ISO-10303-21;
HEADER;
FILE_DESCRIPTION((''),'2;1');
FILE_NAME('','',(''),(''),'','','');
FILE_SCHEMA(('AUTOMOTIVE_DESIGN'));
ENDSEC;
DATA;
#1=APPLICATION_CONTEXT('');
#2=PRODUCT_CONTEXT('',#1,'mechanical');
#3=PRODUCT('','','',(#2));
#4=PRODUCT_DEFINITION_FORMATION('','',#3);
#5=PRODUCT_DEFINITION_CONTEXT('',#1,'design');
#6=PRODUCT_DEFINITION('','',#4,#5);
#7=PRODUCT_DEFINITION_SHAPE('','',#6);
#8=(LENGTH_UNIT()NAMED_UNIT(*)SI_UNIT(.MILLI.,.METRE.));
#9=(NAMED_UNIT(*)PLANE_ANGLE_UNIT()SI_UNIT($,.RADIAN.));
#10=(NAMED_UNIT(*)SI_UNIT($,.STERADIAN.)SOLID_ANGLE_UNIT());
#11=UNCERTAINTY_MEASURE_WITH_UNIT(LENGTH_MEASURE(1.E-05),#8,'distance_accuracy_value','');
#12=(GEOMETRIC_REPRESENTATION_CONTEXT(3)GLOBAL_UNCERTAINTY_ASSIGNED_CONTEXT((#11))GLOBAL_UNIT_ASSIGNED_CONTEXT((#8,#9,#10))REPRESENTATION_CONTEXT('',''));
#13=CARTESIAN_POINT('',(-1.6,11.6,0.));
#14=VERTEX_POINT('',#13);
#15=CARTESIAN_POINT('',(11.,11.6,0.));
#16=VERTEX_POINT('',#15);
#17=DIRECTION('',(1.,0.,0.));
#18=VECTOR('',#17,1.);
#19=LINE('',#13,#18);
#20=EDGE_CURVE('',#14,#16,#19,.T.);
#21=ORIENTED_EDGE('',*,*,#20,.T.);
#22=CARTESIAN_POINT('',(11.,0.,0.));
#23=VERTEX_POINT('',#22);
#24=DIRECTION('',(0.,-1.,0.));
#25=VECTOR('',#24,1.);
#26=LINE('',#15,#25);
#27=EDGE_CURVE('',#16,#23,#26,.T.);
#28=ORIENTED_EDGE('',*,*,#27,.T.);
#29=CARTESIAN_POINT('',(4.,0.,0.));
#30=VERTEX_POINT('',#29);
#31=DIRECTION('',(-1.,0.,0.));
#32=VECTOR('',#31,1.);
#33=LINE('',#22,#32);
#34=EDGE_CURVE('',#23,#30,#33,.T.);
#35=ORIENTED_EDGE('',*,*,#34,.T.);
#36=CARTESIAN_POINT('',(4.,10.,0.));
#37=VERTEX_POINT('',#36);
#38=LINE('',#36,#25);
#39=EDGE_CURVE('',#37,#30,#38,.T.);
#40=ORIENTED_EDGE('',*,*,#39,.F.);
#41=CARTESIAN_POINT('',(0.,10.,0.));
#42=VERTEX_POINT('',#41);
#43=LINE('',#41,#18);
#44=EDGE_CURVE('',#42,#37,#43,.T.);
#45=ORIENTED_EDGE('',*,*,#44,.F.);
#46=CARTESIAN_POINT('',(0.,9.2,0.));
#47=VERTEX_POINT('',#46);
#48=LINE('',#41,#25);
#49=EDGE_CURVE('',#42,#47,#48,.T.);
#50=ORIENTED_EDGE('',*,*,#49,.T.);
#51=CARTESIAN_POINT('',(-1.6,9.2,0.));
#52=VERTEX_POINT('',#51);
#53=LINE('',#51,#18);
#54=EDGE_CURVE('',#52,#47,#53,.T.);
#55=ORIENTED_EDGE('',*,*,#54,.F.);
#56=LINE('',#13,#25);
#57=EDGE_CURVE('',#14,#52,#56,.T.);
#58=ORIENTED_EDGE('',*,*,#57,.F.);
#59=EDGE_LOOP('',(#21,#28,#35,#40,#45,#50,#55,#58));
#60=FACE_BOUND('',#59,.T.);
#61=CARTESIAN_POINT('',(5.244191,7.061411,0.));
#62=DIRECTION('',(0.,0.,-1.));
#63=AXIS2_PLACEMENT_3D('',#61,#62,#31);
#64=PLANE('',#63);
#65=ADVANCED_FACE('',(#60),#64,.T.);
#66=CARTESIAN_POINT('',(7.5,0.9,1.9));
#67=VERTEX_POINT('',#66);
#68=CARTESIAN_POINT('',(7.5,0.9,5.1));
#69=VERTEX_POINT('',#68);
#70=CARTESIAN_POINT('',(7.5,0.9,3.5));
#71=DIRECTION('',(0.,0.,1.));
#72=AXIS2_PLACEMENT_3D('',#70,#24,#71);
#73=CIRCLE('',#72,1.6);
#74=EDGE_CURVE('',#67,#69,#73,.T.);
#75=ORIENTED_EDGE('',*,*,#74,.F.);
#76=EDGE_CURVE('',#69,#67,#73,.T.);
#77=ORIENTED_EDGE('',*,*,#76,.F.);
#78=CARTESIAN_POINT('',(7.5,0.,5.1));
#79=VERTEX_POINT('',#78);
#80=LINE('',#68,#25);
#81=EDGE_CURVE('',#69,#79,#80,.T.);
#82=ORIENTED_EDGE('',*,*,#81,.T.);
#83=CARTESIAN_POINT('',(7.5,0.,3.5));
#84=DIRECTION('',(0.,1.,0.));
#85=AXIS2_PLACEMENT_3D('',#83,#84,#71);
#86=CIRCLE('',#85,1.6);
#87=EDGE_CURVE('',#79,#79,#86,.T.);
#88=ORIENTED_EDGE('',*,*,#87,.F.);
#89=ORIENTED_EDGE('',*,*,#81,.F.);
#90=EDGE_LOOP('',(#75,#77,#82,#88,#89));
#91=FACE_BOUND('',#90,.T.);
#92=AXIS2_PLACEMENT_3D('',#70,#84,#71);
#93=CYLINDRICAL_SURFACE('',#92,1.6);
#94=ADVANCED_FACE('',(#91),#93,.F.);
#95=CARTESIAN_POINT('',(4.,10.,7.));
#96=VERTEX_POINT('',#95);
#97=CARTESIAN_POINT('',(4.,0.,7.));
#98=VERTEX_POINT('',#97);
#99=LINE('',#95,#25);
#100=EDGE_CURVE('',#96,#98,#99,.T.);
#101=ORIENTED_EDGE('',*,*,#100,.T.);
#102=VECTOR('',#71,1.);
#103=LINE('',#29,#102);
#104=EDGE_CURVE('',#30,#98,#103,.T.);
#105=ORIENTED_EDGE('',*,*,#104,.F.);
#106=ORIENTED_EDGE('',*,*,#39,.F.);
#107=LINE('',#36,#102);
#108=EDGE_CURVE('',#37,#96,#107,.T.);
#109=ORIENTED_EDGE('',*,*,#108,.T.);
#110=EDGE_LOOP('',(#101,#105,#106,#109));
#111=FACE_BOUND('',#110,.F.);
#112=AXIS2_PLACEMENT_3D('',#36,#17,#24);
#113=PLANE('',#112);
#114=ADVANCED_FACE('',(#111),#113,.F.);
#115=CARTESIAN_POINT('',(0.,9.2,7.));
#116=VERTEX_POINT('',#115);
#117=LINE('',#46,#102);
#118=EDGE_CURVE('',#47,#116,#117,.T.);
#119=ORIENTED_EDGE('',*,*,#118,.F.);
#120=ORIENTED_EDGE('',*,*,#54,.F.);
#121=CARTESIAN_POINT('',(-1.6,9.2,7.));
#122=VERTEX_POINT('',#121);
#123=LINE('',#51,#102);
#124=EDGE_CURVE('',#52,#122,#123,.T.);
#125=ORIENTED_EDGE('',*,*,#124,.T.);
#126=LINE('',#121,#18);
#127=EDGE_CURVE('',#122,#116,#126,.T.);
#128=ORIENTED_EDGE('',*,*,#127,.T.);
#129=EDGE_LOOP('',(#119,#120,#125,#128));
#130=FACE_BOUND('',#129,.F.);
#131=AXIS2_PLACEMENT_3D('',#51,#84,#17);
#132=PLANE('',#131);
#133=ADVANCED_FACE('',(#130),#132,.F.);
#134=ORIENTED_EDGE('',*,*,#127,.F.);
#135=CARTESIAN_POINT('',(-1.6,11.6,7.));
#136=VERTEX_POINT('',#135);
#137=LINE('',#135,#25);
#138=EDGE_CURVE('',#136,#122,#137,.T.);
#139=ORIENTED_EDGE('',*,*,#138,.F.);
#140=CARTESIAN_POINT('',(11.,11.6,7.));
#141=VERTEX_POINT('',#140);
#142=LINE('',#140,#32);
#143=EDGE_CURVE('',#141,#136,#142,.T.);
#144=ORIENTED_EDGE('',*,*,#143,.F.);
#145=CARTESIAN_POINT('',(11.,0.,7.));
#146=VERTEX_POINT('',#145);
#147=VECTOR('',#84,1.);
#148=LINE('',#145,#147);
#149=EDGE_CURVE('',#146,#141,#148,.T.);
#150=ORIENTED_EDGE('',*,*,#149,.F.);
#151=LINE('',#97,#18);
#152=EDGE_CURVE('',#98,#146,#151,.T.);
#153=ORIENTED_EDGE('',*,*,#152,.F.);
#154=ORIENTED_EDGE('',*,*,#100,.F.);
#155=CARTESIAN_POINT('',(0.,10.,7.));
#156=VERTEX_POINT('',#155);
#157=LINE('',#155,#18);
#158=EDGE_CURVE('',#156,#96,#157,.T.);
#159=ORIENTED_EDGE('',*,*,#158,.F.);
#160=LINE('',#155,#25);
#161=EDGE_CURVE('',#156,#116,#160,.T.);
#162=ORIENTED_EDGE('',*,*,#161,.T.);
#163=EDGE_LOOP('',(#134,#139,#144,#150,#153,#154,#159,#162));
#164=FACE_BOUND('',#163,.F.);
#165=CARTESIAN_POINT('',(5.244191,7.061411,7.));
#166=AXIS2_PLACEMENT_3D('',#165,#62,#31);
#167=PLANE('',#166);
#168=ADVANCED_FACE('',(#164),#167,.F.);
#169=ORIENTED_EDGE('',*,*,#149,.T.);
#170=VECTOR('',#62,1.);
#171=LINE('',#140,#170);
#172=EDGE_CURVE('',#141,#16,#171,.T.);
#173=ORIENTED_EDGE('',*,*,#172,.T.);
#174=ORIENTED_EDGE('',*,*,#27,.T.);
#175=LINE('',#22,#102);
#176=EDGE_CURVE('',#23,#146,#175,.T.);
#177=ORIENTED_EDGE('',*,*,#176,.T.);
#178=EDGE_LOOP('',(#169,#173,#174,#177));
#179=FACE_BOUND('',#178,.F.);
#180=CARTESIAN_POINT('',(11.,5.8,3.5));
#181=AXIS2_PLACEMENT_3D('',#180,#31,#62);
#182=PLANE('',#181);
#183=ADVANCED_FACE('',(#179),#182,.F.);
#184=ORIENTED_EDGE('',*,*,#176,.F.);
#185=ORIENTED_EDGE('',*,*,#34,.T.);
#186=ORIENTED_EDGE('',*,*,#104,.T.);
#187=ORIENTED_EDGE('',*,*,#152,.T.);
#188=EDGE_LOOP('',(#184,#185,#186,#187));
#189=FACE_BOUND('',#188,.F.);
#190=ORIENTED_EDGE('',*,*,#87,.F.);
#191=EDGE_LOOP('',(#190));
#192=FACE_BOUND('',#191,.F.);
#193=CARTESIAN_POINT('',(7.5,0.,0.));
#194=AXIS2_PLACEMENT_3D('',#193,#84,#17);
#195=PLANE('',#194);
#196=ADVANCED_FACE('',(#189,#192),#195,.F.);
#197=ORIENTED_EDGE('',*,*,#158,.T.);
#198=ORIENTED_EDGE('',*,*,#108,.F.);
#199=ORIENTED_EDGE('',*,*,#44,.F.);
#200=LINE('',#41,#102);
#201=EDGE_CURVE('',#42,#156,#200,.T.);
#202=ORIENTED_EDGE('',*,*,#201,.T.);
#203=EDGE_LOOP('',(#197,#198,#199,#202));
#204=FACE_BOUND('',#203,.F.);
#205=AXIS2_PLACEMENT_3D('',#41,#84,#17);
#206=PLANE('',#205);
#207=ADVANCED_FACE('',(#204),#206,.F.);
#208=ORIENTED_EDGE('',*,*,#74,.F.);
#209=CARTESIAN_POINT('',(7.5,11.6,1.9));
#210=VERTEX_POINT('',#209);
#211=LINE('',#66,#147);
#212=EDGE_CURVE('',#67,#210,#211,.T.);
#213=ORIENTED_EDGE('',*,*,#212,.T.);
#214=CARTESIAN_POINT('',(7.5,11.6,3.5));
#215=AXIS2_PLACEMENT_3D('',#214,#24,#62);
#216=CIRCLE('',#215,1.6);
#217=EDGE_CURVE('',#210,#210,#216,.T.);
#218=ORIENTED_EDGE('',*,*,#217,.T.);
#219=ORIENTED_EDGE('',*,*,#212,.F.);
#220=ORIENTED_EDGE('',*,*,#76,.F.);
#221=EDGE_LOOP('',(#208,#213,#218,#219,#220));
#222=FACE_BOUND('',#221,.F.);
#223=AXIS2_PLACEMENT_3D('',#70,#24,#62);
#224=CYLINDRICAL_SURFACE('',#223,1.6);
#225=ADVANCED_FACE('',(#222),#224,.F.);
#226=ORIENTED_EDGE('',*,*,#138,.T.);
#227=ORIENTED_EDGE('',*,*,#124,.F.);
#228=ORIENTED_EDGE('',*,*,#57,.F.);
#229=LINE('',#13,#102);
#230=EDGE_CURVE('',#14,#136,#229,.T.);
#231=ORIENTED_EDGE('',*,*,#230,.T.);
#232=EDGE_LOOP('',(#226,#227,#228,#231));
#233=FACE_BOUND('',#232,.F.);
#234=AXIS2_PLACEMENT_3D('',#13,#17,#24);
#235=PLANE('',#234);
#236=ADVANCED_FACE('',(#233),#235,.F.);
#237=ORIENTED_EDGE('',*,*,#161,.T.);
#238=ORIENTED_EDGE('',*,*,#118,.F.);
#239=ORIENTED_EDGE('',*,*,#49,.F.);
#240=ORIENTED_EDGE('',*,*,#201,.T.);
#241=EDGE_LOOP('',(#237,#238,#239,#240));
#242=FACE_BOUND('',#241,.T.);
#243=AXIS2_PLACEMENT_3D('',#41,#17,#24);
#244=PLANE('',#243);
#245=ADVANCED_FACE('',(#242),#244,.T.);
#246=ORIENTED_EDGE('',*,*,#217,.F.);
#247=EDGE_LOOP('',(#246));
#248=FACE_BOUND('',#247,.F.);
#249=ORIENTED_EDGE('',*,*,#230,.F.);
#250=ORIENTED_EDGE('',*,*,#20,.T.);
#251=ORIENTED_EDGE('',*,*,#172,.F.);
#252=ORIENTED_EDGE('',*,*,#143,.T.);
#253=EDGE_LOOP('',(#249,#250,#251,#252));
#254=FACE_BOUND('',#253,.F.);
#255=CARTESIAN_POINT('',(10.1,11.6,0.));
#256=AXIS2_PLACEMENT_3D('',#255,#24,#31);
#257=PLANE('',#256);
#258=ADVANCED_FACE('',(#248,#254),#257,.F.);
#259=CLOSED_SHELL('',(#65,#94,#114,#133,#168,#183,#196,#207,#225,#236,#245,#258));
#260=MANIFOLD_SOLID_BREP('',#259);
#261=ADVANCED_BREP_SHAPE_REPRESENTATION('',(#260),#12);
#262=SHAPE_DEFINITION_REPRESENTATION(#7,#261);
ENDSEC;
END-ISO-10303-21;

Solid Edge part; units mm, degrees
sketch "Sketch1" plane through (0, 0, 0) normal (0, 0, 1) x (1, 0, 0)
  line L0 (0, 10) -> (0, 9.2)
  line L1 (-1.6, 9.2) -> (0, 9.2)
  line L2 (-1.6, 11.6) -> (-1.6, 9.2)
  line L3 (10.1, 11.6) -> (-1.6, 11.6)
  line L4 (10.1, 0.9) -> (10.1, 11.6)
  line L5 (10.1, 0) -> (10.1, 0.9)
  line L6 (7.5, 0) -> (10.1, 0)
  line L7 (4, 0) -> (7.5, 0)
  line L8 (4, 10) -> (4, 0)
  line L9 (0, 10) -> (4, 10)
extrude "Protrusion1" add sketch "Sketch1" along normal blind 7
hole "Hole_1" at (7.5, 0.9, 3.5) direction (0, -1, 0) diameter 3.2 end up to next
sketch "Sketch2" plane through (7.5, 0.9, 3.5) normal (0, -1, 0) x (0, 0, -1)
  circle A0 centre (0, 0) radius 1.6
extrude "Cutout1" cut sketch "Sketch2" against normal up to next
sketch "Sketch3" plane through (10.1, 5.8, 3.5) normal (1, 0, 0) x (0, 1, 0)
  line L0 (-5.8, 3.5) -> (5.8, 3.5)
  line L1 (5.8, 3.5) -> (5.8, -3.5)
  line L2 (5.8, -3.5) -> (-5.8, -3.5)
  line L3 (-5.8, -3.5) -> (-5.8, 3.5)
extrude "ExtrudedProtrusion_2" add sketch "Sketch3" along normal blind 0.9
